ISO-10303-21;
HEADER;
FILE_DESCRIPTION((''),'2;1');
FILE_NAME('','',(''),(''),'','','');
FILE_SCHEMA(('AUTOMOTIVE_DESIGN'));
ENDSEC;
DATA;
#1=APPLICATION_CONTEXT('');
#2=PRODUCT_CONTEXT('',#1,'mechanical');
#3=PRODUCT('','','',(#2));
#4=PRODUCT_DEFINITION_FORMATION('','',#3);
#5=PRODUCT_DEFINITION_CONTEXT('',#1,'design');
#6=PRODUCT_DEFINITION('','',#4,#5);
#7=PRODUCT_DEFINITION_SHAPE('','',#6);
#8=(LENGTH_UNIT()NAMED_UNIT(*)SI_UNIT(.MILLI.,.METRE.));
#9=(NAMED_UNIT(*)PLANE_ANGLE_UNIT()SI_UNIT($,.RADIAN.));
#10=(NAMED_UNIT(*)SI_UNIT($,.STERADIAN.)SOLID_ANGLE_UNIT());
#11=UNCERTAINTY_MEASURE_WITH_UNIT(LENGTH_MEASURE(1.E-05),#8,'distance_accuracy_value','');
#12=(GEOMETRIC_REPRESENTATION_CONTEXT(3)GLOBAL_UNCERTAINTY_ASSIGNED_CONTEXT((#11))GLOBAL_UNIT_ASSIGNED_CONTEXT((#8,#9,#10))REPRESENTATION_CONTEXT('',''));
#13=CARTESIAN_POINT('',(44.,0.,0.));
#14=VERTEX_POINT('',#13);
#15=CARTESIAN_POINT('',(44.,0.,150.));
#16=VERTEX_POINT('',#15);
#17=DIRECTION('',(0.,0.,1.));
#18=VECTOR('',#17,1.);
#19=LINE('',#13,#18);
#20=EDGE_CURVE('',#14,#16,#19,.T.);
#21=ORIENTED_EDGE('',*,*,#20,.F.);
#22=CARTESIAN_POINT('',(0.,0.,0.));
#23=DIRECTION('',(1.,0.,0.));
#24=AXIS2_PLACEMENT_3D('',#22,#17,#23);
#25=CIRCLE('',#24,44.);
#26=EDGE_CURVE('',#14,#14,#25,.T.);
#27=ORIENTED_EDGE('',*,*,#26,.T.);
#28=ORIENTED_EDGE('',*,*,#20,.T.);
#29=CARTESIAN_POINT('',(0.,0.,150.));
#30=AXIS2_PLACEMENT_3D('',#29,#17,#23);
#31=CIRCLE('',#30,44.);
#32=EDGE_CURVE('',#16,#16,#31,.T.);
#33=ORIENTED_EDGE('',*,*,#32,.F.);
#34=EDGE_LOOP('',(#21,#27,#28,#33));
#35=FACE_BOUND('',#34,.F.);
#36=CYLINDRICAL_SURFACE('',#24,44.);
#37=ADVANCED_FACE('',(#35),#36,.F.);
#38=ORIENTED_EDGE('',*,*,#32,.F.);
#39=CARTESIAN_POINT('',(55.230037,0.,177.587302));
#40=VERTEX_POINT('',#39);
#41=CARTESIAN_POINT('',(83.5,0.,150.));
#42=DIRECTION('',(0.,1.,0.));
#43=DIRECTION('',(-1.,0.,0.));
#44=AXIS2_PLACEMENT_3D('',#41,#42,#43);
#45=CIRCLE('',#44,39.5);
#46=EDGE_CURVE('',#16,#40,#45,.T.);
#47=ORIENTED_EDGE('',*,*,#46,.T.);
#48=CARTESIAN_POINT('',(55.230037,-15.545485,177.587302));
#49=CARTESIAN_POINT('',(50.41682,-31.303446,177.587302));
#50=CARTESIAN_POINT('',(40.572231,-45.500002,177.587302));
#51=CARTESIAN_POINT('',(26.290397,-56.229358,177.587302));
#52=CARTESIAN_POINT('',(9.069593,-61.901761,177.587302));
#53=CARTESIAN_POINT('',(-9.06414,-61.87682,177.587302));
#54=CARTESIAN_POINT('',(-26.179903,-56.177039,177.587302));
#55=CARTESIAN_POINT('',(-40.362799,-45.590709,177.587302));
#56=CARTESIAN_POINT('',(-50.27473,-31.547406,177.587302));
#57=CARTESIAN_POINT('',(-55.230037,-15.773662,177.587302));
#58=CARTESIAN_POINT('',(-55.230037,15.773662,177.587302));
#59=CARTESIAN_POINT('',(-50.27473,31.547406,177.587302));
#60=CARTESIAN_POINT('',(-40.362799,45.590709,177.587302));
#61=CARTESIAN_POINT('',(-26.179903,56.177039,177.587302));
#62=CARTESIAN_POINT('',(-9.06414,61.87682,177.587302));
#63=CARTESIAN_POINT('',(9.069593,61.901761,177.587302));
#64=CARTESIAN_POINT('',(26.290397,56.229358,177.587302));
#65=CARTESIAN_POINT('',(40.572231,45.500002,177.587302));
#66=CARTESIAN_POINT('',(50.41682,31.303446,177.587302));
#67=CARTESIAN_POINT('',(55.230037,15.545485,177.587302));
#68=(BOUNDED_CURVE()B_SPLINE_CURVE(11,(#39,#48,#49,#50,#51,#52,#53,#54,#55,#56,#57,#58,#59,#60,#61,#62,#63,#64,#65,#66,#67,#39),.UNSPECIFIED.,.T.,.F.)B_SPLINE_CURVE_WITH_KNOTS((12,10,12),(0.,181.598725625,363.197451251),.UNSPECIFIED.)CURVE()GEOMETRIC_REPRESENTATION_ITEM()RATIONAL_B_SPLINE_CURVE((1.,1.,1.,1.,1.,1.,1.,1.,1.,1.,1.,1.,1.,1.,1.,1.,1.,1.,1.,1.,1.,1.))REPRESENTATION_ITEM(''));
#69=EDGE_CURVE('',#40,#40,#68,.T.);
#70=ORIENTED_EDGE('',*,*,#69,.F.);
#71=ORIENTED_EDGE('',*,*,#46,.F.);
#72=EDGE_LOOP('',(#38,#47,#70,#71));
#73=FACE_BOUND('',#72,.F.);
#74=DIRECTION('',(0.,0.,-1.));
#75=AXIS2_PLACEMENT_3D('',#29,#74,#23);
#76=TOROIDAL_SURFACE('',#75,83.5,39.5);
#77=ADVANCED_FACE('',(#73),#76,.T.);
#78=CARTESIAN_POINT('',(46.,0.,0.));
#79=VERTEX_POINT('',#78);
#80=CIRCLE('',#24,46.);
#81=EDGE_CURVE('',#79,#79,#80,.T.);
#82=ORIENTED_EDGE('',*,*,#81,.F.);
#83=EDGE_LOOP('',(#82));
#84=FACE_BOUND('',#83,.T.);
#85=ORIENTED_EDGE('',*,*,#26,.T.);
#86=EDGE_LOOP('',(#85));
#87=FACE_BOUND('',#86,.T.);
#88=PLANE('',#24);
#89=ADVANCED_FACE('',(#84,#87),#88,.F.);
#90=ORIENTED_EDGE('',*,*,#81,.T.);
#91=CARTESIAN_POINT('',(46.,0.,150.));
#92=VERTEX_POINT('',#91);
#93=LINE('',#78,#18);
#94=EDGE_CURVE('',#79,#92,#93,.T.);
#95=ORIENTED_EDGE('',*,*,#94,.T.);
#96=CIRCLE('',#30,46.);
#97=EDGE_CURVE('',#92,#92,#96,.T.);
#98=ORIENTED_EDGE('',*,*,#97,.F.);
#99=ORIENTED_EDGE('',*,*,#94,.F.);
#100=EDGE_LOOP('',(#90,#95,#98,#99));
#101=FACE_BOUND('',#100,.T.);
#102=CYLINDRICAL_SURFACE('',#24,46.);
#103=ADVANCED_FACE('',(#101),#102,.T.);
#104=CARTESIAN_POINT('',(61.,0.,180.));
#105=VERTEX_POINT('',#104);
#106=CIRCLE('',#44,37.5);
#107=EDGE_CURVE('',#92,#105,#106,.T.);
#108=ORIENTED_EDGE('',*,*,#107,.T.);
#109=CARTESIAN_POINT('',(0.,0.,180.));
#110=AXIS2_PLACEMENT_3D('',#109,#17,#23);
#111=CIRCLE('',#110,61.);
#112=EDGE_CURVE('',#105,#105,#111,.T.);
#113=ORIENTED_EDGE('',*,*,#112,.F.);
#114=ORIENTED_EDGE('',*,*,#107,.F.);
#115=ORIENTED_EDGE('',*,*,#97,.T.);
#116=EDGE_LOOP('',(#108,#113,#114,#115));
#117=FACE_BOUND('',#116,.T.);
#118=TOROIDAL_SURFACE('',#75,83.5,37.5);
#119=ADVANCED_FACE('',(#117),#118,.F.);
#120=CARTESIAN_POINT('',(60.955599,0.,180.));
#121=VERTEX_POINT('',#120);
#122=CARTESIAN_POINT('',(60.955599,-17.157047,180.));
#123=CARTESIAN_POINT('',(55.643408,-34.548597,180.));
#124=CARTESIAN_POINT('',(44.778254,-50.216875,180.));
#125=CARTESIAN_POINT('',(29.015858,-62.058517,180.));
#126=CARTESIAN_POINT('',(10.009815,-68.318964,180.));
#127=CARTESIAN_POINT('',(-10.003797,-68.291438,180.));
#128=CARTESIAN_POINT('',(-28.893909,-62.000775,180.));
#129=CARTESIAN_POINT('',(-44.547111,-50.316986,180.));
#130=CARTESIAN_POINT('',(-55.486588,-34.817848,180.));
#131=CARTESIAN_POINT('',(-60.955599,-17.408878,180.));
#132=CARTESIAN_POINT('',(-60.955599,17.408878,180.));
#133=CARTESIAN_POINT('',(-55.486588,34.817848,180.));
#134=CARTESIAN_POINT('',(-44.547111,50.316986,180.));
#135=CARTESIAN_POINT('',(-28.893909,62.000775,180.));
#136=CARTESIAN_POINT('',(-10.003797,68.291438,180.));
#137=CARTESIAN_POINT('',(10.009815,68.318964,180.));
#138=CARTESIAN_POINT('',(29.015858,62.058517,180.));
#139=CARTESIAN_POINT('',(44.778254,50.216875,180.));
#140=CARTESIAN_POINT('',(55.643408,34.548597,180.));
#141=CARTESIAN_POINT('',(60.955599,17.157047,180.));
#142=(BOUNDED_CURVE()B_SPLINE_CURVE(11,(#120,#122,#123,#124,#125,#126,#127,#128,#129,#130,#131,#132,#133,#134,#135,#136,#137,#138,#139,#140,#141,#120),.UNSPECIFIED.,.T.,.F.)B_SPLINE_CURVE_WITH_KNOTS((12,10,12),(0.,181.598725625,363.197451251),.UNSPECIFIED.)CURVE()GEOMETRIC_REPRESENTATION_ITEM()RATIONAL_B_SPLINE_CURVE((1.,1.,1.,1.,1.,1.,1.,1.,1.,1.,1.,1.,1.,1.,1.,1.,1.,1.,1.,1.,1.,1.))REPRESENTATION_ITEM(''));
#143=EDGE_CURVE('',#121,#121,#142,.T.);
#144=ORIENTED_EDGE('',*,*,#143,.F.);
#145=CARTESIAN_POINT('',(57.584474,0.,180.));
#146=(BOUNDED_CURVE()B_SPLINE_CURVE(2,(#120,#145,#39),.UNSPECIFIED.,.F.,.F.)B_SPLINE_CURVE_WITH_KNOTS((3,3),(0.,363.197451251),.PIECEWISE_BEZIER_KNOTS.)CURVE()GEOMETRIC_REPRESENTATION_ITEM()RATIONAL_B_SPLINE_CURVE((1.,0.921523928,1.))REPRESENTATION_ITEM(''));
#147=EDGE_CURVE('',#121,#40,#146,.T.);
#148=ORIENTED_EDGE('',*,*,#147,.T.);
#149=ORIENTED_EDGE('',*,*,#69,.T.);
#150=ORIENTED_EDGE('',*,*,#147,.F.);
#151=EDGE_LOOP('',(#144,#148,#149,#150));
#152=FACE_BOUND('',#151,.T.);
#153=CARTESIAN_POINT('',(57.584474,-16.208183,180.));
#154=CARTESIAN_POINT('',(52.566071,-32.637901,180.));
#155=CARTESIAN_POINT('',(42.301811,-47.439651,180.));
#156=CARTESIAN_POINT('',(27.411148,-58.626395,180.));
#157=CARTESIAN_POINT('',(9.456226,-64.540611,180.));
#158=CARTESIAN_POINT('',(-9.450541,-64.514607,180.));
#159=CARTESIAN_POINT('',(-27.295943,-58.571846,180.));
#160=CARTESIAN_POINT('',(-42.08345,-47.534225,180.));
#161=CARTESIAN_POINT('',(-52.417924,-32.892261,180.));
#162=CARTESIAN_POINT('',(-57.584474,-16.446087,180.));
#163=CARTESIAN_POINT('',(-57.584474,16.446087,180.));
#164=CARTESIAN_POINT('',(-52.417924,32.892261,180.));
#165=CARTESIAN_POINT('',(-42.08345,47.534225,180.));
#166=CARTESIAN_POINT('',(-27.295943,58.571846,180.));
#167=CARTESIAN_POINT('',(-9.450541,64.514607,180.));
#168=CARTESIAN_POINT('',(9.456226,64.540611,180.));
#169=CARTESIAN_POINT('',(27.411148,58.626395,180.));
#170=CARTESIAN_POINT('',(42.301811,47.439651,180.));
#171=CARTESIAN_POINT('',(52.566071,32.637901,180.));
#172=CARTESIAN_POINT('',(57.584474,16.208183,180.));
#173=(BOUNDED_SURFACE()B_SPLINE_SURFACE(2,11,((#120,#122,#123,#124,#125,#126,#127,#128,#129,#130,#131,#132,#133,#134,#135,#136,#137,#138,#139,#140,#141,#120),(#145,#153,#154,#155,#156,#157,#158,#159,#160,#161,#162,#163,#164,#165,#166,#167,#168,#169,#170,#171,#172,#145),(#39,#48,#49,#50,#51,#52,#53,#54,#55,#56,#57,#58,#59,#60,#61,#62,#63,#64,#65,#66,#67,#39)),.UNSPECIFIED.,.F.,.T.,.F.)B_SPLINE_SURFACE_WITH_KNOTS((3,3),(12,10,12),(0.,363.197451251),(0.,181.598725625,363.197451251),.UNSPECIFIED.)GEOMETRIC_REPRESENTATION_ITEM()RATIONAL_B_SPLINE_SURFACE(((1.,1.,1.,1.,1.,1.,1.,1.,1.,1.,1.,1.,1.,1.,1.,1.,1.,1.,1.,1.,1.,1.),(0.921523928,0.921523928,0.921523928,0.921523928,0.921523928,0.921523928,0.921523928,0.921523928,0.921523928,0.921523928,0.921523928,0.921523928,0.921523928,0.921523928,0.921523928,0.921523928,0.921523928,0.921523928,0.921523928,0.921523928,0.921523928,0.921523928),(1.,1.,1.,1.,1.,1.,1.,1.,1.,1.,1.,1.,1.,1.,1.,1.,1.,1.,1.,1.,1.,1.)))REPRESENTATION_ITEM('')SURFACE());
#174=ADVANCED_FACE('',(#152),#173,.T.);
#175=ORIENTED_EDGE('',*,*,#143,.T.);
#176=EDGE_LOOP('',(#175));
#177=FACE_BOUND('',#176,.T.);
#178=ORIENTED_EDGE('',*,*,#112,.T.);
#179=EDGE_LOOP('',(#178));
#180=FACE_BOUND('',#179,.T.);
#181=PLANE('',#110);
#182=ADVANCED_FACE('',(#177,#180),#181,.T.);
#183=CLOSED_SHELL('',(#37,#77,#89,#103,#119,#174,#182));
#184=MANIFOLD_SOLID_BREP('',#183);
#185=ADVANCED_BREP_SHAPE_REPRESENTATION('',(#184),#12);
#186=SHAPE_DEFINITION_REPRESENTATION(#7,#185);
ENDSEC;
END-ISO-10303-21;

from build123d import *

# Parameters (mm, degrees)
F2_T = -2
F3_R = 8


with BuildPart() as f1:
    # F0 (on Front) → F1 (revolve)
    with BuildSketch(Plane.XZ):
        with BuildLine():
            Line((0, 180), (0, 0))
            Line((0, 0), (46, 0))
            Line((46, 0), (46, 150))
            ThreePointArc((46, 150), (49.9589803375, 166.7705098312), (61, 180))
            Line((61, 180), (0, 180))
        make_face()
    revolve(axis=Axis((0, 0, 90), (0, 0, 1)))

    # F2
    f2_openings = [f1.faces().sort_by_distance(p)[0] for p in [
        (0, 0, 180),
        (0, 0, 0),
    ]]
    offset(amount=F2_T, openings=f2_openings)

    # F3
    f3_edges = [f1.edges().sort_by_distance(p)[0] for p in [
        (-57.80467, 0, 180),
    ]]
    fillet(f3_edges, radius=F3_R)


solid = f1.part
